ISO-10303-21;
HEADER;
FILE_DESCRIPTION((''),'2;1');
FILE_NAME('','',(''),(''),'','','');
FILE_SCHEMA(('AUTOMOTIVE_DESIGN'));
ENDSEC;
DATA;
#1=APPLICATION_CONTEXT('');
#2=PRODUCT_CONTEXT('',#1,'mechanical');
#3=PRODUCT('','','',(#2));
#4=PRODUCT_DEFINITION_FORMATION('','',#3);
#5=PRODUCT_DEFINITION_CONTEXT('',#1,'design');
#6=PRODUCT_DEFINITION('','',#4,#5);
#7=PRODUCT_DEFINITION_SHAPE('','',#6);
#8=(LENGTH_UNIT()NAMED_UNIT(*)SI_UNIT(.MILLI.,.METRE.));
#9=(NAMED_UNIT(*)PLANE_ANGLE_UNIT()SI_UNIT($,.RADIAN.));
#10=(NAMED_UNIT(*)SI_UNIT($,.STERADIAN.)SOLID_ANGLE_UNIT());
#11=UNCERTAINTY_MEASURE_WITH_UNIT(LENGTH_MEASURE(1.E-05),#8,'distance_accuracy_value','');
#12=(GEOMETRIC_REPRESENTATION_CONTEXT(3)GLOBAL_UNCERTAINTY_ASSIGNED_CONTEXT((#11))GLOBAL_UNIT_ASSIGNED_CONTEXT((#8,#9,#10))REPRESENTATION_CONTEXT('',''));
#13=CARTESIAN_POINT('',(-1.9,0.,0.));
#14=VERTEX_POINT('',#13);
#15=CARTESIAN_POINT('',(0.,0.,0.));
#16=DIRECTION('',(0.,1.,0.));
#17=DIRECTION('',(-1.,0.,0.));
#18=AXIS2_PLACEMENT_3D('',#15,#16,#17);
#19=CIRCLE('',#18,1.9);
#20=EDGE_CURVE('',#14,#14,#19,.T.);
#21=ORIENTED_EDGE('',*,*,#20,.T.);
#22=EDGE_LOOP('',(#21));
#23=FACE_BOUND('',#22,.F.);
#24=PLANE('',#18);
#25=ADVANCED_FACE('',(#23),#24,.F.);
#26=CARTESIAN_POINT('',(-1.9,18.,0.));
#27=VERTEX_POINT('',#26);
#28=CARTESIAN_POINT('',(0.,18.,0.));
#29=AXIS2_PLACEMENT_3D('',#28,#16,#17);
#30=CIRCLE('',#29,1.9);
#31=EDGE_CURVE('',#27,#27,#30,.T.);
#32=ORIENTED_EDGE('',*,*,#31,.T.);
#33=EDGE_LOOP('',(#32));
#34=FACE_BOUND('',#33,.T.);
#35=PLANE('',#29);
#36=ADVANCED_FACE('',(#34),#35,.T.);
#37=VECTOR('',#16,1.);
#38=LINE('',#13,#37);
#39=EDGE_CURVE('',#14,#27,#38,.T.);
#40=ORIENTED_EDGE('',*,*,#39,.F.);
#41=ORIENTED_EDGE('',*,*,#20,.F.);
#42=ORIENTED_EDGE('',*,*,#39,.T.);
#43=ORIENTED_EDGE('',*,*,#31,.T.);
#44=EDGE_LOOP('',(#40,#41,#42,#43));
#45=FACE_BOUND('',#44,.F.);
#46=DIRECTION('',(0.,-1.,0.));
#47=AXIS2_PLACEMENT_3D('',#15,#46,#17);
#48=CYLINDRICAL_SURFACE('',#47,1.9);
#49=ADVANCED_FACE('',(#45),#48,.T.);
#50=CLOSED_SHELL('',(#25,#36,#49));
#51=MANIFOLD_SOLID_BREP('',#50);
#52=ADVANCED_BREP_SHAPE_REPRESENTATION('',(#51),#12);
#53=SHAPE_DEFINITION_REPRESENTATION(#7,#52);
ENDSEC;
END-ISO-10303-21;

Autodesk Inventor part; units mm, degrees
ref_plane "YZ Plane" through (0, 0, 0) normal (1, 0, 0) x (0, 1, 0)
ref_plane "XZ Plane" through (0, 0, 0) normal (0, 1, 0) x (-1, 0, 0)
ref_plane "XY Plane" through (0, 0, 0) normal (0, 0, 1) x (1, 0, 0)
sketch "Эскиз1" plane through (0, 0, 0) normal (0, 1, 0) x (-1, 0, 0)
  circle A0 centre (0, 0) radius 1.9
  dimension "d0" = 3.8
extrude "Выдавливание1" add sketch "Эскиз1" along normal blind 18
properties part number "ось_мини_подшипника"
